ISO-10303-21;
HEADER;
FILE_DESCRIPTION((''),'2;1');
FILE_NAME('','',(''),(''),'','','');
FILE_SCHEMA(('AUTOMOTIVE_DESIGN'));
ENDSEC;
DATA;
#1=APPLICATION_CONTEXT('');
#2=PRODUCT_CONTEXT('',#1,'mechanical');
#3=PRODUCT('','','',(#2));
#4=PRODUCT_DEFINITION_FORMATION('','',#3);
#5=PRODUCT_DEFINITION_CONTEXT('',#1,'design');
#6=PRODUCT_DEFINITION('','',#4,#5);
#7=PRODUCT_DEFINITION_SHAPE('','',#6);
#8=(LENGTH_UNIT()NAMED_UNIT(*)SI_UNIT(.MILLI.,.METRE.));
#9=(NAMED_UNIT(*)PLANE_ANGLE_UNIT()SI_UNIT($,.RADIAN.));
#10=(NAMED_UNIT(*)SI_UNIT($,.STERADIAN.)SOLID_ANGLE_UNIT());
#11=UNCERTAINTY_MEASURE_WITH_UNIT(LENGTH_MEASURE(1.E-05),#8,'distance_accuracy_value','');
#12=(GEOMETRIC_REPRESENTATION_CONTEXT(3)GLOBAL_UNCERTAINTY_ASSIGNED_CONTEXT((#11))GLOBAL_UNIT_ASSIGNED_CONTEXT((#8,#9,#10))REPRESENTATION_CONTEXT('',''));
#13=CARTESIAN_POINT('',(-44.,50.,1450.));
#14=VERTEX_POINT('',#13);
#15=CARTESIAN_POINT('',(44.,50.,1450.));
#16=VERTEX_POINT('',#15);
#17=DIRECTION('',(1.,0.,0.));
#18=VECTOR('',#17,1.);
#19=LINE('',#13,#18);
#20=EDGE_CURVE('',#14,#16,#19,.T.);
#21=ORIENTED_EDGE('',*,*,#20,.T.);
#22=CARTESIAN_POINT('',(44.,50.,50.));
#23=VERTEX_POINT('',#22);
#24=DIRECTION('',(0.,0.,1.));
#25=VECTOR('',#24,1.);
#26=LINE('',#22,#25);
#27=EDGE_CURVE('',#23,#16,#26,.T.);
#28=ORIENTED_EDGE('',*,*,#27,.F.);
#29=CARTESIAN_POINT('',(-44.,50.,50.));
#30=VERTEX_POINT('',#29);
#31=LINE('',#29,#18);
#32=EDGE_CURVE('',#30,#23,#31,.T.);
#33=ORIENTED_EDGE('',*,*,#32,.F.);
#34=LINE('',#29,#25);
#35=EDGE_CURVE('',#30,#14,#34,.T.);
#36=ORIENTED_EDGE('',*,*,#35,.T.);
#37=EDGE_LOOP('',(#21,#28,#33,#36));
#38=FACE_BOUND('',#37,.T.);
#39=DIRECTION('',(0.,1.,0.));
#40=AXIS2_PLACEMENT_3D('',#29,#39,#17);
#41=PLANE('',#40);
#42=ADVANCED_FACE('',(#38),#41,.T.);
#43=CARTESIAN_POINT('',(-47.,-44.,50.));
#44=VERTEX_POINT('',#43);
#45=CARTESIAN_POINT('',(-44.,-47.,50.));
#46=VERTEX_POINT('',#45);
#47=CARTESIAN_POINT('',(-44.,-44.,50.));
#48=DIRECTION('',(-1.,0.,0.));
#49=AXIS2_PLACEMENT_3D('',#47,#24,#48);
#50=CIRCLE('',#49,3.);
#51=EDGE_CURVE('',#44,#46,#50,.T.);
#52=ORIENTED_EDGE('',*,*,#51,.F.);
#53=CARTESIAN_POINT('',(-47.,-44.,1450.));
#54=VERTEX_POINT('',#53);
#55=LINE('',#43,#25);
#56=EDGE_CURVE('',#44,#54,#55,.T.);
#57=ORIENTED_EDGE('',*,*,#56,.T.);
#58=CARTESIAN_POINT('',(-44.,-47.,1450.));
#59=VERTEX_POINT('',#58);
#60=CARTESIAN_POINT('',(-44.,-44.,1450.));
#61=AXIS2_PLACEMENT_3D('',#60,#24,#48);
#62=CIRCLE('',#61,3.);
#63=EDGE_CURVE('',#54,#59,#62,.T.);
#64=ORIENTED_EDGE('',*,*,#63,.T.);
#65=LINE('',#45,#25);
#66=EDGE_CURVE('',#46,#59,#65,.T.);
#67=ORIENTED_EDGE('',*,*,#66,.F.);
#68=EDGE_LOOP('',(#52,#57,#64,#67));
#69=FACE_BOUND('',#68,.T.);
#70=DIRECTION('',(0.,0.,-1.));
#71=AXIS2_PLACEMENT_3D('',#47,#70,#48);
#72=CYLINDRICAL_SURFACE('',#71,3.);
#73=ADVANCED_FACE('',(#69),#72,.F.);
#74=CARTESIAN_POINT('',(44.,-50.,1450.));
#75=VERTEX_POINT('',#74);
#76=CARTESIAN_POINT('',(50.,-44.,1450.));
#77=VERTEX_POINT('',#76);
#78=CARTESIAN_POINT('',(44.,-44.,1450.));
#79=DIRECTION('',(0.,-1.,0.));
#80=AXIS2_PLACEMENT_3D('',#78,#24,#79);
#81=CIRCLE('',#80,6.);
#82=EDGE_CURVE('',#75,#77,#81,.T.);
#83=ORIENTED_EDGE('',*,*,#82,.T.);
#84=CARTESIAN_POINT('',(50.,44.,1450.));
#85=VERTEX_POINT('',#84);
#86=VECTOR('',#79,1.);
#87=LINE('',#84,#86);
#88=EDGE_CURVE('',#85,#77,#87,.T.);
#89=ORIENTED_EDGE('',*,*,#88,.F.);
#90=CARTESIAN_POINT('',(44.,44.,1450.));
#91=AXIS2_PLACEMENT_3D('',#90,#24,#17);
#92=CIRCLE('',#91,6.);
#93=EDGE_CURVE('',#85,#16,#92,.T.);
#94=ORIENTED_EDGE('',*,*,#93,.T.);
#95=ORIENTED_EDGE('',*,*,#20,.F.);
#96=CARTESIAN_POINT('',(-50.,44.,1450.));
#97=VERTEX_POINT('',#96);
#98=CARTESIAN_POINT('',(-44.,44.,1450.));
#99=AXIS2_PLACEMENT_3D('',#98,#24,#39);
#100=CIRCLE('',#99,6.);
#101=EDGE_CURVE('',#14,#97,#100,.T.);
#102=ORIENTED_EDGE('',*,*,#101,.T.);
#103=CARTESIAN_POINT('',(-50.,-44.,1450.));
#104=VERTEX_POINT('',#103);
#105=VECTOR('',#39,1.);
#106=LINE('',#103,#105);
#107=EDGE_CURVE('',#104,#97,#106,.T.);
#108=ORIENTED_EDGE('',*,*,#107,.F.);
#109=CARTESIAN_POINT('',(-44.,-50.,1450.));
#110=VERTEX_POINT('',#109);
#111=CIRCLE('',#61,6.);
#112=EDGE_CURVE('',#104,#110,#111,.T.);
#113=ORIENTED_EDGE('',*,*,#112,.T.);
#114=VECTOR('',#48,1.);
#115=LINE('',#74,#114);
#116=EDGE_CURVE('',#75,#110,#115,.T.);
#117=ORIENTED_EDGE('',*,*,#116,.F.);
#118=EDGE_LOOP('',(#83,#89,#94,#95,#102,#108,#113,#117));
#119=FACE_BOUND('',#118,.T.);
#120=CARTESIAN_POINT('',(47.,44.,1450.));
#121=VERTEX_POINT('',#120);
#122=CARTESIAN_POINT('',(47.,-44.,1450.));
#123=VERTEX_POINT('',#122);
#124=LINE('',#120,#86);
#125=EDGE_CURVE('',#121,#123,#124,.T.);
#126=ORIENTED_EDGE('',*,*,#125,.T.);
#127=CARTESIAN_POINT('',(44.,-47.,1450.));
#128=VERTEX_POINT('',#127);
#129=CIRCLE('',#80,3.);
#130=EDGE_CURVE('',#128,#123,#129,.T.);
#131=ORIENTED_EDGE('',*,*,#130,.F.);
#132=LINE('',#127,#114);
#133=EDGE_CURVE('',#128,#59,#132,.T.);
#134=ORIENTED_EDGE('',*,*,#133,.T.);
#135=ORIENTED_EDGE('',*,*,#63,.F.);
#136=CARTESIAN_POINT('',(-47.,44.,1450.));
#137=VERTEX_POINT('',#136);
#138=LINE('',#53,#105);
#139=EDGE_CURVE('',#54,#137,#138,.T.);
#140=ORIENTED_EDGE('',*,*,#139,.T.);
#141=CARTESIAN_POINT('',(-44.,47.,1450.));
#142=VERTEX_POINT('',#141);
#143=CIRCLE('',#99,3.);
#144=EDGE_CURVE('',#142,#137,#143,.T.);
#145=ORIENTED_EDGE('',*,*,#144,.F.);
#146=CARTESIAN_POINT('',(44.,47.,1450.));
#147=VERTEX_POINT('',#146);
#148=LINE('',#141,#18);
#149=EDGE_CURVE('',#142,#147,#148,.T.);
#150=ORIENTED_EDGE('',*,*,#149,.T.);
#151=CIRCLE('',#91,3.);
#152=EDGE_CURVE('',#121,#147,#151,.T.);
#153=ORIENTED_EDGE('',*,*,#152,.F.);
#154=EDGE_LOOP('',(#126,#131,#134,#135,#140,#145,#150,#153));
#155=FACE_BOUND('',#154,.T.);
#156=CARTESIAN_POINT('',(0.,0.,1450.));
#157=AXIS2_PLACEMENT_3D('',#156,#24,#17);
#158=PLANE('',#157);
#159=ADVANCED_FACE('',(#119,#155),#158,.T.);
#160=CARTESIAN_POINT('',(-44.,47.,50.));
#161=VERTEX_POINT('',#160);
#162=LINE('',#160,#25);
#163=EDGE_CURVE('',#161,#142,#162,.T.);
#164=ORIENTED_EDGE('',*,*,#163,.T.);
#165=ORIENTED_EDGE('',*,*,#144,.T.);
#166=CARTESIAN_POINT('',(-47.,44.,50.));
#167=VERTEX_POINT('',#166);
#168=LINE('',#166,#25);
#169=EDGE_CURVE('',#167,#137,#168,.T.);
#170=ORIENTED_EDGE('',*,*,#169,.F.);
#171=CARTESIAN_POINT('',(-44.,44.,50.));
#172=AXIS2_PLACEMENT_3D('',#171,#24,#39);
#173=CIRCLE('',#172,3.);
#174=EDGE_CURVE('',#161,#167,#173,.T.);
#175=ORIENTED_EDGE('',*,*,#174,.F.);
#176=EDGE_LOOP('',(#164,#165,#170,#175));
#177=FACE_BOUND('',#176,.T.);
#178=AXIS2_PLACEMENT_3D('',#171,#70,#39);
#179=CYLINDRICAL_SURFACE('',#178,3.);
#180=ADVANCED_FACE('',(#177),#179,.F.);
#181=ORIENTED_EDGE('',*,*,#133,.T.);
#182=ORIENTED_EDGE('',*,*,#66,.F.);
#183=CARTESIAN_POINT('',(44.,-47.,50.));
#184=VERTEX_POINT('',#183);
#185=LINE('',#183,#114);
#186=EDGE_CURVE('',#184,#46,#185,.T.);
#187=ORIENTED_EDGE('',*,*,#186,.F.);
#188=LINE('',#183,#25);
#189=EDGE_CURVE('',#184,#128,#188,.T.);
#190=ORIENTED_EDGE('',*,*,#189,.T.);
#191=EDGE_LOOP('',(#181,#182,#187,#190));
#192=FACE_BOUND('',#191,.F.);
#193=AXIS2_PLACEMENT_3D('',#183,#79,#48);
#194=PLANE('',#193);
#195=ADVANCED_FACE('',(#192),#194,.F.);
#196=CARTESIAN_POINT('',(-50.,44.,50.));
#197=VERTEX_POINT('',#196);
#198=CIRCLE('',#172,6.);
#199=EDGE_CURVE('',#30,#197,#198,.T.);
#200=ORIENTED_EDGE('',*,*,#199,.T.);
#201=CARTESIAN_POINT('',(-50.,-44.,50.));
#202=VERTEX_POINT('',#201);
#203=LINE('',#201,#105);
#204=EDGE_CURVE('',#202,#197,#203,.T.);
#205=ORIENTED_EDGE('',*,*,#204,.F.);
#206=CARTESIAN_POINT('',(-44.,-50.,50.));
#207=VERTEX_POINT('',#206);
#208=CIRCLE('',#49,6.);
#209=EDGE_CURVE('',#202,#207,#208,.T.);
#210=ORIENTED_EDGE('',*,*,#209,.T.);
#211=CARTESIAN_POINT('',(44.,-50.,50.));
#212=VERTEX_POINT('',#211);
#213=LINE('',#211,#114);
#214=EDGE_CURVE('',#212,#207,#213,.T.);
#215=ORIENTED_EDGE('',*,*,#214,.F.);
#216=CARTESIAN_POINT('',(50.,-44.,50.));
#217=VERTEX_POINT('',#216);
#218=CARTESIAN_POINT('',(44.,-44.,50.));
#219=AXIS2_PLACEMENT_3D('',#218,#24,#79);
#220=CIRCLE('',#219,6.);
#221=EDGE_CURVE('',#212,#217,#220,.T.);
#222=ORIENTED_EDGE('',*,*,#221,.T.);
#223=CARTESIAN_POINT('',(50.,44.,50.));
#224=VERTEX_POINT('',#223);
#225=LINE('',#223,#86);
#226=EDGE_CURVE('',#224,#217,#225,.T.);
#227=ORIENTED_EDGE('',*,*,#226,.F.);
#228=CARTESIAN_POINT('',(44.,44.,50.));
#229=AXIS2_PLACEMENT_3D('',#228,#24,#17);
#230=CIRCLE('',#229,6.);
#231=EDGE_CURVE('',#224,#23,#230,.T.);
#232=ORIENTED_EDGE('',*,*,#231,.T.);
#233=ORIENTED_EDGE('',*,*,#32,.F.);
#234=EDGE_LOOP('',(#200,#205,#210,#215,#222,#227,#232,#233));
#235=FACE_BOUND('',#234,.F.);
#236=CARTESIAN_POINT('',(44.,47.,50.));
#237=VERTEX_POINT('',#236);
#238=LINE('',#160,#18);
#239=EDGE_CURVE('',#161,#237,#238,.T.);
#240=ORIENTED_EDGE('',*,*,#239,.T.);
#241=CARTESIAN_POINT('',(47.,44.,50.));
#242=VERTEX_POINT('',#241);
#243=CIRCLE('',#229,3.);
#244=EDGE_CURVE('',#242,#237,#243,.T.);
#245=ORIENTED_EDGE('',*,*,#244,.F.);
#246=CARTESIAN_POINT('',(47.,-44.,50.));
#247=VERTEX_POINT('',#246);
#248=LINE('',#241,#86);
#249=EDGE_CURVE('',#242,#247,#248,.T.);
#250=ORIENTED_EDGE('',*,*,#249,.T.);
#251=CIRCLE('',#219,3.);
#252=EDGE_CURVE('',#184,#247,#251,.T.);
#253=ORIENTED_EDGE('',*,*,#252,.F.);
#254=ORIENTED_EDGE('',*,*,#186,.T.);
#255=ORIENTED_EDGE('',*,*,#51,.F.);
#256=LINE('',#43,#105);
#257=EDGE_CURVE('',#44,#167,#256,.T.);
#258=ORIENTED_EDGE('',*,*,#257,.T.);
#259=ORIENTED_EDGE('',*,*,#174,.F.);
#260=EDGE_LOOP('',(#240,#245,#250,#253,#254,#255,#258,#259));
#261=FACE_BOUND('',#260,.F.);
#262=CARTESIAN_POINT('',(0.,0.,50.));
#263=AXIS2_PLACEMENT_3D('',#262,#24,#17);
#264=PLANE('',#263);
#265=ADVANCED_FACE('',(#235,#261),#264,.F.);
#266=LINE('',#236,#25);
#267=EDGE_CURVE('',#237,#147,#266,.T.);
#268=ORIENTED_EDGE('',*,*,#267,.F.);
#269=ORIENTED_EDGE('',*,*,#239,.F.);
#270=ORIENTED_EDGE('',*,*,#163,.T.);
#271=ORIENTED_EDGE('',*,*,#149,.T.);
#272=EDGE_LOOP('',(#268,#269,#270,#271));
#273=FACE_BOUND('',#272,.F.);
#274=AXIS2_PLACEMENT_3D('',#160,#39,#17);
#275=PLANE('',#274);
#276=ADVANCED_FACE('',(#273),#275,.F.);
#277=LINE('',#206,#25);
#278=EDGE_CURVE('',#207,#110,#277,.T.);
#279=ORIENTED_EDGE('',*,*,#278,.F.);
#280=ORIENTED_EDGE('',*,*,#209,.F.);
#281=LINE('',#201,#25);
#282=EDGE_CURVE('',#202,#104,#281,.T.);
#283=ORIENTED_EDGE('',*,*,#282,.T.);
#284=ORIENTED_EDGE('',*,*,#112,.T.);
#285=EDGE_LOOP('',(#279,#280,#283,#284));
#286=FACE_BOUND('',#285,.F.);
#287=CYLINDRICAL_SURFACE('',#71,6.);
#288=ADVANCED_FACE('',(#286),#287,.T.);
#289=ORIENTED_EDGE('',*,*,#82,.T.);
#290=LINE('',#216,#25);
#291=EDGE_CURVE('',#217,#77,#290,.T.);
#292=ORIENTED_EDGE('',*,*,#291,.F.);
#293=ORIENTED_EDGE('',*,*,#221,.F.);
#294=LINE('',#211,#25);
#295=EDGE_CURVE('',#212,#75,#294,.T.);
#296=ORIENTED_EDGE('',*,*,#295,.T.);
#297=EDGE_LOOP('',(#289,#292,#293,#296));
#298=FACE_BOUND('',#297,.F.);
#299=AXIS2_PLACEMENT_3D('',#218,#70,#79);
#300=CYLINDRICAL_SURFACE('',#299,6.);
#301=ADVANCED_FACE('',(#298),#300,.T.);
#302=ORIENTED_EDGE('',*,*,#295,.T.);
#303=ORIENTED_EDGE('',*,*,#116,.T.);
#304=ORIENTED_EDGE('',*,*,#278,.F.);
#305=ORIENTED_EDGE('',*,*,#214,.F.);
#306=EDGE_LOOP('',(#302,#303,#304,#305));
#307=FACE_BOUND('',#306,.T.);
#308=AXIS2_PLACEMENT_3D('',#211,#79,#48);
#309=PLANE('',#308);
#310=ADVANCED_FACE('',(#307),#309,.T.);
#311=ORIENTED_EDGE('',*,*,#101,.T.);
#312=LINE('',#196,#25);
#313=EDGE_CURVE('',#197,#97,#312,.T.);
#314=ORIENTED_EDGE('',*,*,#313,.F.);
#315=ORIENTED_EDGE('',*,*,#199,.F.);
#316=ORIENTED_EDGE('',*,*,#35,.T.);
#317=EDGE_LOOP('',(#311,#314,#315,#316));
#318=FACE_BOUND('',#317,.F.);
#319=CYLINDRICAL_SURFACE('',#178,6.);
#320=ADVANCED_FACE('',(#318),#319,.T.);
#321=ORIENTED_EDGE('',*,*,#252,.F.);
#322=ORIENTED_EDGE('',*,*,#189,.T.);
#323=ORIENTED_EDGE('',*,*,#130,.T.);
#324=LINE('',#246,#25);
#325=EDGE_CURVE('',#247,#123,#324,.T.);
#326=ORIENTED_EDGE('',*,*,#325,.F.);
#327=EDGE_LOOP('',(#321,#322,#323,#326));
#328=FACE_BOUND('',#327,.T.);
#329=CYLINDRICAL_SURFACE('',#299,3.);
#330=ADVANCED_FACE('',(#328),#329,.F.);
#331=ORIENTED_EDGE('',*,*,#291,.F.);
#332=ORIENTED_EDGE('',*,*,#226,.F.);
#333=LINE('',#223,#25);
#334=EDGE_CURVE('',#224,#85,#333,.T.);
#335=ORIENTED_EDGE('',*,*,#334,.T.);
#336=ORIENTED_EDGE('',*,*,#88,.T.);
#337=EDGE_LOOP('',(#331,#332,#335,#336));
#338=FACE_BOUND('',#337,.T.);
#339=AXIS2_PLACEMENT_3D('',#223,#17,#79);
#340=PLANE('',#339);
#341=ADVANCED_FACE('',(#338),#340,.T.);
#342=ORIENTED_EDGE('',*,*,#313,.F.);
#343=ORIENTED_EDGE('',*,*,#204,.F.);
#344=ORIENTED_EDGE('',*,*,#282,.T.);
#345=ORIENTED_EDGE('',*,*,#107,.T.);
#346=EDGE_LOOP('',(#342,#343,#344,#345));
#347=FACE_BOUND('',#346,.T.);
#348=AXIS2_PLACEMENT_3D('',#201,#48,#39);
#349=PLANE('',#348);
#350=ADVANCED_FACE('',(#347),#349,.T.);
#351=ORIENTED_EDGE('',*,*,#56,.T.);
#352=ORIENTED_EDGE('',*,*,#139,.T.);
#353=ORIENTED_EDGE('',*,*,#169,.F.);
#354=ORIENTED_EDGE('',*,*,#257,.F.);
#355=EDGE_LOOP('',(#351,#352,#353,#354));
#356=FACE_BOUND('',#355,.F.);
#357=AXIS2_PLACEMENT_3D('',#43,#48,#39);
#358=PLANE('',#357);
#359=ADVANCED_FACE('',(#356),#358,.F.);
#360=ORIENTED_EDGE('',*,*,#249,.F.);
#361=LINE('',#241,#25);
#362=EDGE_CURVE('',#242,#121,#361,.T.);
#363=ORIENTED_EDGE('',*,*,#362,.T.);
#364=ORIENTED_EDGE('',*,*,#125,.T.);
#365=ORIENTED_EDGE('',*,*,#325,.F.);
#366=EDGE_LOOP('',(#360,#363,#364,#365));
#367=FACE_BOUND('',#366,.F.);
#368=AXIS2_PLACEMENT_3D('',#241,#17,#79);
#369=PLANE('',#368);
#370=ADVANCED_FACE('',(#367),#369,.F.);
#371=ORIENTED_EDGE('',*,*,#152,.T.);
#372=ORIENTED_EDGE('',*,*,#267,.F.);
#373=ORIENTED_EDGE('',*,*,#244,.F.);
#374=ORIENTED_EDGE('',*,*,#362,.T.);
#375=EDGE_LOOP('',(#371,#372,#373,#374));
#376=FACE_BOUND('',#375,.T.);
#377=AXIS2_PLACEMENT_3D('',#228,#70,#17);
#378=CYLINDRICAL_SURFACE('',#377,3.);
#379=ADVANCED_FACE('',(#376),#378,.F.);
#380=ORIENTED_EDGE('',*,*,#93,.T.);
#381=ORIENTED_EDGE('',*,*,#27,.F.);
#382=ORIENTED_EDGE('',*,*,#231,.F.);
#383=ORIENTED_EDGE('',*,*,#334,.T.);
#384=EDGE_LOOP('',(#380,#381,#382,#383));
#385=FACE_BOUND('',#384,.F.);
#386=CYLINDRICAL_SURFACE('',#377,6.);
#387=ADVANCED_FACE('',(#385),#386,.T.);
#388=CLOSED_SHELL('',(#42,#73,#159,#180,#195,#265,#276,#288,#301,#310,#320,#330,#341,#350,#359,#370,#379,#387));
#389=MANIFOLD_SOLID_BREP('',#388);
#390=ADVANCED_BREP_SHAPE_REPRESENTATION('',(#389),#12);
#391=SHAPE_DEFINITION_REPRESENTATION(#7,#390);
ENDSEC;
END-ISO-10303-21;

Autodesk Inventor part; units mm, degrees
ref_plane "YZ Plane" through (0, 0, 0) normal (1, 0, 0) x (0, 1, 0)
ref_plane "Start plane" through (0, 0, 50) normal (0, 0, 1) x (1, 0, 0)
ref_plane "End plane" through (0, 0, 1450) normal (0, 0, 1) x (1, 0, 0)
sketch "Sketch" plane through (0, 0, 0) normal (0, 0, 1) x (1, 0, 0)
  line L0 (-50, -44) -> (-50, 44)
  line L1 (-44, 50) -> (44, 50)
  line L2 (50, 44) -> (50, -44)
  line L3 (44, -50) -> (-44, -50)
  arc A0 (-50, -44) -> (-44, -50) centre (-44, -44) ccw
  arc A1 (50, 44) -> (44, 50) centre (44, 44) ccw
  arc A2 (-44, 50) -> (-50, 44) centre (-44, 44) ccw
  arc A3 (44, -50) -> (50, -44) centre (44, -44) ccw
  arc A4 (-44, 47) -> (-47, 44) centre (-44, 44) ccw
  line L4 (-44, 47) -> (44, 47)
  arc A5 (47, 44) -> (44, 47) centre (44, 44) ccw
  line L5 (47, 44) -> (47, -44)
  arc A6 (44, -47) -> (47, -44) centre (44, -44) ccw
  line L6 (44, -47) -> (-44, -47)
  arc A7 (-47, -44) -> (-44, -47) centre (-44, -44) ccw
  line L7 (-47, -44) -> (-47, 44)
  line L8 (0, 72.3196) -> (0, -72.3196) construction
  line L9 (-72.3196, 0) -> (72.3196, 0) construction
  dimension "d7" = 6
  dimension "d9" = 100
  dimension "d11" = 100
  dimension "d12" = 3
  dimension "d15" = 50
  dimension "d16" = 50
extrude "Body" add sketch "Sketch" along normal up to surface (1400 mm away) from surface at 50
sketch "Sketch3" plane through (0, 0, 0) normal (0, 0, 1) x (1, 0, 0)
  line L0 (0, 0) -> (10, 0)
ref_plane "Work Plane3" through (0, 0, 0) normal (0, -1, 0) x (1, 0, 0)
sketch "Sketch4" plane through (0, 0, 0) normal (0, -1, 0) x (1, 0, 0)
  line L0 (-2, 50) -> (12, 50) projected
  line L1 (-2, 1450) -> (12, 1450) projected
  dimension "d18" = 1400
equation "\"d7\" = G_IR"
equation "\"d9\" = G_W"
equation "\"d11\" = G_H"
equation "\"d12\" = G_T"
equation "\"d15\" = 0.5 * d9"
equation "\"d16\" = 0.5 * d11"
equation "\"d3\" = G_L"
equation "\"G_W\" = 100"
equation "\"G_H\" = 100"
equation "\"G_T\" = 3"
equation "\"G_IR\" = 6"
equation "\"G_L\" = d18"
properties part number "ISO 10799-2 - 100x100x3 - 1400" material "Steel, Mild"
